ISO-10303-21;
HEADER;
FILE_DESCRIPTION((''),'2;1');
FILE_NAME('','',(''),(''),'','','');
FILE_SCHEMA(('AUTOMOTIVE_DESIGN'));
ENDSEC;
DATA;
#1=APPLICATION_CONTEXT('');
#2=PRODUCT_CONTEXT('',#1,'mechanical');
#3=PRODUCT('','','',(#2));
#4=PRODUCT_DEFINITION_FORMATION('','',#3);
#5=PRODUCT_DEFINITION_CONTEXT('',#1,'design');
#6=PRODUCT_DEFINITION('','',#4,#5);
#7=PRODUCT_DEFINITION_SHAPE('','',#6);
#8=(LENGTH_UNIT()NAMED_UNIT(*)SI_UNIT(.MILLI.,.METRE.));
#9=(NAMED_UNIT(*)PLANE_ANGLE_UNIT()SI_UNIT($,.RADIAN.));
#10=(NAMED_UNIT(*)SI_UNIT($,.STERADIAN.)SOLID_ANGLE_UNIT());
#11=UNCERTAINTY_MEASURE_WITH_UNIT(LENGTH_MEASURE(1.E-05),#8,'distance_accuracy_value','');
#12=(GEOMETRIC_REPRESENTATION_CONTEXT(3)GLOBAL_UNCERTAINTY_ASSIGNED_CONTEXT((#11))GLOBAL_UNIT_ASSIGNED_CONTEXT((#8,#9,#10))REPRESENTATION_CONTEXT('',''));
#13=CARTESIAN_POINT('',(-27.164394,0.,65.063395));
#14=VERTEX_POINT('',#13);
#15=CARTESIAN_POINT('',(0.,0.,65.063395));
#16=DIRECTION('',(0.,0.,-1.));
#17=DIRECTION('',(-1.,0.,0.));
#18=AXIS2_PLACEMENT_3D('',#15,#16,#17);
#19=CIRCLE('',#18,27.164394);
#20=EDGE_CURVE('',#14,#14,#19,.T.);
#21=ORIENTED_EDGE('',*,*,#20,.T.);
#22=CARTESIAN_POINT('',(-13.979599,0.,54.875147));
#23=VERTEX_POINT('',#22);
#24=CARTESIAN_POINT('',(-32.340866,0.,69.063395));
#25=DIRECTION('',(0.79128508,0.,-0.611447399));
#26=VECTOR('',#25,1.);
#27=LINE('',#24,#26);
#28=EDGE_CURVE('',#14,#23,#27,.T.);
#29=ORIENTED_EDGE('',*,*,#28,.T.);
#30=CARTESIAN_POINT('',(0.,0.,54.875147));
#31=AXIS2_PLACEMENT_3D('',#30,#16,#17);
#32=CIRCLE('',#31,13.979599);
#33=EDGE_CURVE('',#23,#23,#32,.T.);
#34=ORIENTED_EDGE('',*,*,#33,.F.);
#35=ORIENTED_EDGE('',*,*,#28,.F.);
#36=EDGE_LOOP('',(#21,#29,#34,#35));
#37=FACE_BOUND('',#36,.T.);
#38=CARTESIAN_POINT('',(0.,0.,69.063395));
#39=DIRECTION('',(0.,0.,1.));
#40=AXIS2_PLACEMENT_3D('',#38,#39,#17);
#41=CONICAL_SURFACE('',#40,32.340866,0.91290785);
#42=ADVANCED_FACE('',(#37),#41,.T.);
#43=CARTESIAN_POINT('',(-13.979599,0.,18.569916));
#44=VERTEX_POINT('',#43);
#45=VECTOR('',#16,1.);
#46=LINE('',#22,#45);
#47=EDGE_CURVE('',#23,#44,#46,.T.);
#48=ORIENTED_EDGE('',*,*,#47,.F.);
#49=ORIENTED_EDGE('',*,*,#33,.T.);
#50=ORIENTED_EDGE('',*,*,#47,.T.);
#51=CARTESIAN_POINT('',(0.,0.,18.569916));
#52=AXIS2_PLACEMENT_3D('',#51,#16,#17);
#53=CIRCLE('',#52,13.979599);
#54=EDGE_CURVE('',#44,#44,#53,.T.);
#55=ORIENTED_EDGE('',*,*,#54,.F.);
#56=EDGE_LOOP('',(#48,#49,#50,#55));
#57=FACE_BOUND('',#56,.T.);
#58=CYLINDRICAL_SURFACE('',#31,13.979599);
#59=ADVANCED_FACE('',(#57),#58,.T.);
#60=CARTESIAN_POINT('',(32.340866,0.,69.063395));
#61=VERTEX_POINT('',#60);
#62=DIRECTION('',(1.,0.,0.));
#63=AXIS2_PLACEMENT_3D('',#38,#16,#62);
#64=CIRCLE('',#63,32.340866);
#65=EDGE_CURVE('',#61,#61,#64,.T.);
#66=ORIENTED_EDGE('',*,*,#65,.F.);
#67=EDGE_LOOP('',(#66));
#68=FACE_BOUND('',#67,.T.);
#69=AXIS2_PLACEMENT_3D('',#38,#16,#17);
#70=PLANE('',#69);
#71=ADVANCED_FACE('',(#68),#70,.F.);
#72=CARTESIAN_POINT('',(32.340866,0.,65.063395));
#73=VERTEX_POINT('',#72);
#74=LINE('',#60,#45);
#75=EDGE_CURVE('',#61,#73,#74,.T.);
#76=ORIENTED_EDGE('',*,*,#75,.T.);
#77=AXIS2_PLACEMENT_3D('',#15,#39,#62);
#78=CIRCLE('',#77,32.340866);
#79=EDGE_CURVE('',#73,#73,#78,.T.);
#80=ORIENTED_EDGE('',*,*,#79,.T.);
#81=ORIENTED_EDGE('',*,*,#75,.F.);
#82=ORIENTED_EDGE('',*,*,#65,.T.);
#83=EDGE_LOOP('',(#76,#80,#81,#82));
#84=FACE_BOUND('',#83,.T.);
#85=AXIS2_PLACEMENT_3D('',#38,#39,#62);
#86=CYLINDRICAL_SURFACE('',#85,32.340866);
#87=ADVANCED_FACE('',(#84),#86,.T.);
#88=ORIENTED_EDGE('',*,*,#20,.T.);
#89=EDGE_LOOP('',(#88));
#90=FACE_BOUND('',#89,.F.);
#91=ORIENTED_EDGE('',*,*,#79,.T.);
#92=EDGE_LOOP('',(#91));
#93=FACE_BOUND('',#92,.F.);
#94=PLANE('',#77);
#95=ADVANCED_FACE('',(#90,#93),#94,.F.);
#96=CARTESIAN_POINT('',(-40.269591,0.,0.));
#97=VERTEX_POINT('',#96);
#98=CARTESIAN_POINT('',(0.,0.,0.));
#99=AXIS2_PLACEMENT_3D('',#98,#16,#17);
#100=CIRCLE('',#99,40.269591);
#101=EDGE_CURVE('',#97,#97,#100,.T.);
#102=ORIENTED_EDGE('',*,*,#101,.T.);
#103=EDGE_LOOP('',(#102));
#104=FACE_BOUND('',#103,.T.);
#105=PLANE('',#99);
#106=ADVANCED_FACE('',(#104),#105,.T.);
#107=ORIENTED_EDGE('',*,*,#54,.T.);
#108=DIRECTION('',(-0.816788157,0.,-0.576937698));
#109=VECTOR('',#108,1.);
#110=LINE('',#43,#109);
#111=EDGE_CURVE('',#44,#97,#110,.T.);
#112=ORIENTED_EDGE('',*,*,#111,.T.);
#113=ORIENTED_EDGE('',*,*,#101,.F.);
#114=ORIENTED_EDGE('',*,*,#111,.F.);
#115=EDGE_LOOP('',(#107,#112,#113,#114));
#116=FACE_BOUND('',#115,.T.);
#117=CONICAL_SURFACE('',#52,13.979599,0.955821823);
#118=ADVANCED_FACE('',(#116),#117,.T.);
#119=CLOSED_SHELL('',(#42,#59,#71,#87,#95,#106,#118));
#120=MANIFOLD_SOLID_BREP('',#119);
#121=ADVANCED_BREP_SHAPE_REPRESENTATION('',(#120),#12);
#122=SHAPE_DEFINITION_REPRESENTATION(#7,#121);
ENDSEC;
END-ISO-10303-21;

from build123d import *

# Parameters (mm, degrees)
F1_FACE_R = 32.340866
F2_DEPTH  = 4


with BuildPart() as f1:
    # F0 (on Front) → F1 (revolve)
    with BuildSketch(Plane.XZ):
        Polygon((-13.979599, 18.569916), (-40.269591, 0), (0, 0), (0, 69.063395), (-32.340866, 69.063395), (-13.979599, 54.875147), align=None)
    revolve(axis=Axis((0, 0, 34.531698), (0, 0, -1)))

    # F1_face (on face) → F2 (join)
    with BuildSketch(Plane.XY.offset(69.063395)):
        Circle(F1_FACE_R)
    extrude(amount=-F2_DEPTH)


solid = f1.part
